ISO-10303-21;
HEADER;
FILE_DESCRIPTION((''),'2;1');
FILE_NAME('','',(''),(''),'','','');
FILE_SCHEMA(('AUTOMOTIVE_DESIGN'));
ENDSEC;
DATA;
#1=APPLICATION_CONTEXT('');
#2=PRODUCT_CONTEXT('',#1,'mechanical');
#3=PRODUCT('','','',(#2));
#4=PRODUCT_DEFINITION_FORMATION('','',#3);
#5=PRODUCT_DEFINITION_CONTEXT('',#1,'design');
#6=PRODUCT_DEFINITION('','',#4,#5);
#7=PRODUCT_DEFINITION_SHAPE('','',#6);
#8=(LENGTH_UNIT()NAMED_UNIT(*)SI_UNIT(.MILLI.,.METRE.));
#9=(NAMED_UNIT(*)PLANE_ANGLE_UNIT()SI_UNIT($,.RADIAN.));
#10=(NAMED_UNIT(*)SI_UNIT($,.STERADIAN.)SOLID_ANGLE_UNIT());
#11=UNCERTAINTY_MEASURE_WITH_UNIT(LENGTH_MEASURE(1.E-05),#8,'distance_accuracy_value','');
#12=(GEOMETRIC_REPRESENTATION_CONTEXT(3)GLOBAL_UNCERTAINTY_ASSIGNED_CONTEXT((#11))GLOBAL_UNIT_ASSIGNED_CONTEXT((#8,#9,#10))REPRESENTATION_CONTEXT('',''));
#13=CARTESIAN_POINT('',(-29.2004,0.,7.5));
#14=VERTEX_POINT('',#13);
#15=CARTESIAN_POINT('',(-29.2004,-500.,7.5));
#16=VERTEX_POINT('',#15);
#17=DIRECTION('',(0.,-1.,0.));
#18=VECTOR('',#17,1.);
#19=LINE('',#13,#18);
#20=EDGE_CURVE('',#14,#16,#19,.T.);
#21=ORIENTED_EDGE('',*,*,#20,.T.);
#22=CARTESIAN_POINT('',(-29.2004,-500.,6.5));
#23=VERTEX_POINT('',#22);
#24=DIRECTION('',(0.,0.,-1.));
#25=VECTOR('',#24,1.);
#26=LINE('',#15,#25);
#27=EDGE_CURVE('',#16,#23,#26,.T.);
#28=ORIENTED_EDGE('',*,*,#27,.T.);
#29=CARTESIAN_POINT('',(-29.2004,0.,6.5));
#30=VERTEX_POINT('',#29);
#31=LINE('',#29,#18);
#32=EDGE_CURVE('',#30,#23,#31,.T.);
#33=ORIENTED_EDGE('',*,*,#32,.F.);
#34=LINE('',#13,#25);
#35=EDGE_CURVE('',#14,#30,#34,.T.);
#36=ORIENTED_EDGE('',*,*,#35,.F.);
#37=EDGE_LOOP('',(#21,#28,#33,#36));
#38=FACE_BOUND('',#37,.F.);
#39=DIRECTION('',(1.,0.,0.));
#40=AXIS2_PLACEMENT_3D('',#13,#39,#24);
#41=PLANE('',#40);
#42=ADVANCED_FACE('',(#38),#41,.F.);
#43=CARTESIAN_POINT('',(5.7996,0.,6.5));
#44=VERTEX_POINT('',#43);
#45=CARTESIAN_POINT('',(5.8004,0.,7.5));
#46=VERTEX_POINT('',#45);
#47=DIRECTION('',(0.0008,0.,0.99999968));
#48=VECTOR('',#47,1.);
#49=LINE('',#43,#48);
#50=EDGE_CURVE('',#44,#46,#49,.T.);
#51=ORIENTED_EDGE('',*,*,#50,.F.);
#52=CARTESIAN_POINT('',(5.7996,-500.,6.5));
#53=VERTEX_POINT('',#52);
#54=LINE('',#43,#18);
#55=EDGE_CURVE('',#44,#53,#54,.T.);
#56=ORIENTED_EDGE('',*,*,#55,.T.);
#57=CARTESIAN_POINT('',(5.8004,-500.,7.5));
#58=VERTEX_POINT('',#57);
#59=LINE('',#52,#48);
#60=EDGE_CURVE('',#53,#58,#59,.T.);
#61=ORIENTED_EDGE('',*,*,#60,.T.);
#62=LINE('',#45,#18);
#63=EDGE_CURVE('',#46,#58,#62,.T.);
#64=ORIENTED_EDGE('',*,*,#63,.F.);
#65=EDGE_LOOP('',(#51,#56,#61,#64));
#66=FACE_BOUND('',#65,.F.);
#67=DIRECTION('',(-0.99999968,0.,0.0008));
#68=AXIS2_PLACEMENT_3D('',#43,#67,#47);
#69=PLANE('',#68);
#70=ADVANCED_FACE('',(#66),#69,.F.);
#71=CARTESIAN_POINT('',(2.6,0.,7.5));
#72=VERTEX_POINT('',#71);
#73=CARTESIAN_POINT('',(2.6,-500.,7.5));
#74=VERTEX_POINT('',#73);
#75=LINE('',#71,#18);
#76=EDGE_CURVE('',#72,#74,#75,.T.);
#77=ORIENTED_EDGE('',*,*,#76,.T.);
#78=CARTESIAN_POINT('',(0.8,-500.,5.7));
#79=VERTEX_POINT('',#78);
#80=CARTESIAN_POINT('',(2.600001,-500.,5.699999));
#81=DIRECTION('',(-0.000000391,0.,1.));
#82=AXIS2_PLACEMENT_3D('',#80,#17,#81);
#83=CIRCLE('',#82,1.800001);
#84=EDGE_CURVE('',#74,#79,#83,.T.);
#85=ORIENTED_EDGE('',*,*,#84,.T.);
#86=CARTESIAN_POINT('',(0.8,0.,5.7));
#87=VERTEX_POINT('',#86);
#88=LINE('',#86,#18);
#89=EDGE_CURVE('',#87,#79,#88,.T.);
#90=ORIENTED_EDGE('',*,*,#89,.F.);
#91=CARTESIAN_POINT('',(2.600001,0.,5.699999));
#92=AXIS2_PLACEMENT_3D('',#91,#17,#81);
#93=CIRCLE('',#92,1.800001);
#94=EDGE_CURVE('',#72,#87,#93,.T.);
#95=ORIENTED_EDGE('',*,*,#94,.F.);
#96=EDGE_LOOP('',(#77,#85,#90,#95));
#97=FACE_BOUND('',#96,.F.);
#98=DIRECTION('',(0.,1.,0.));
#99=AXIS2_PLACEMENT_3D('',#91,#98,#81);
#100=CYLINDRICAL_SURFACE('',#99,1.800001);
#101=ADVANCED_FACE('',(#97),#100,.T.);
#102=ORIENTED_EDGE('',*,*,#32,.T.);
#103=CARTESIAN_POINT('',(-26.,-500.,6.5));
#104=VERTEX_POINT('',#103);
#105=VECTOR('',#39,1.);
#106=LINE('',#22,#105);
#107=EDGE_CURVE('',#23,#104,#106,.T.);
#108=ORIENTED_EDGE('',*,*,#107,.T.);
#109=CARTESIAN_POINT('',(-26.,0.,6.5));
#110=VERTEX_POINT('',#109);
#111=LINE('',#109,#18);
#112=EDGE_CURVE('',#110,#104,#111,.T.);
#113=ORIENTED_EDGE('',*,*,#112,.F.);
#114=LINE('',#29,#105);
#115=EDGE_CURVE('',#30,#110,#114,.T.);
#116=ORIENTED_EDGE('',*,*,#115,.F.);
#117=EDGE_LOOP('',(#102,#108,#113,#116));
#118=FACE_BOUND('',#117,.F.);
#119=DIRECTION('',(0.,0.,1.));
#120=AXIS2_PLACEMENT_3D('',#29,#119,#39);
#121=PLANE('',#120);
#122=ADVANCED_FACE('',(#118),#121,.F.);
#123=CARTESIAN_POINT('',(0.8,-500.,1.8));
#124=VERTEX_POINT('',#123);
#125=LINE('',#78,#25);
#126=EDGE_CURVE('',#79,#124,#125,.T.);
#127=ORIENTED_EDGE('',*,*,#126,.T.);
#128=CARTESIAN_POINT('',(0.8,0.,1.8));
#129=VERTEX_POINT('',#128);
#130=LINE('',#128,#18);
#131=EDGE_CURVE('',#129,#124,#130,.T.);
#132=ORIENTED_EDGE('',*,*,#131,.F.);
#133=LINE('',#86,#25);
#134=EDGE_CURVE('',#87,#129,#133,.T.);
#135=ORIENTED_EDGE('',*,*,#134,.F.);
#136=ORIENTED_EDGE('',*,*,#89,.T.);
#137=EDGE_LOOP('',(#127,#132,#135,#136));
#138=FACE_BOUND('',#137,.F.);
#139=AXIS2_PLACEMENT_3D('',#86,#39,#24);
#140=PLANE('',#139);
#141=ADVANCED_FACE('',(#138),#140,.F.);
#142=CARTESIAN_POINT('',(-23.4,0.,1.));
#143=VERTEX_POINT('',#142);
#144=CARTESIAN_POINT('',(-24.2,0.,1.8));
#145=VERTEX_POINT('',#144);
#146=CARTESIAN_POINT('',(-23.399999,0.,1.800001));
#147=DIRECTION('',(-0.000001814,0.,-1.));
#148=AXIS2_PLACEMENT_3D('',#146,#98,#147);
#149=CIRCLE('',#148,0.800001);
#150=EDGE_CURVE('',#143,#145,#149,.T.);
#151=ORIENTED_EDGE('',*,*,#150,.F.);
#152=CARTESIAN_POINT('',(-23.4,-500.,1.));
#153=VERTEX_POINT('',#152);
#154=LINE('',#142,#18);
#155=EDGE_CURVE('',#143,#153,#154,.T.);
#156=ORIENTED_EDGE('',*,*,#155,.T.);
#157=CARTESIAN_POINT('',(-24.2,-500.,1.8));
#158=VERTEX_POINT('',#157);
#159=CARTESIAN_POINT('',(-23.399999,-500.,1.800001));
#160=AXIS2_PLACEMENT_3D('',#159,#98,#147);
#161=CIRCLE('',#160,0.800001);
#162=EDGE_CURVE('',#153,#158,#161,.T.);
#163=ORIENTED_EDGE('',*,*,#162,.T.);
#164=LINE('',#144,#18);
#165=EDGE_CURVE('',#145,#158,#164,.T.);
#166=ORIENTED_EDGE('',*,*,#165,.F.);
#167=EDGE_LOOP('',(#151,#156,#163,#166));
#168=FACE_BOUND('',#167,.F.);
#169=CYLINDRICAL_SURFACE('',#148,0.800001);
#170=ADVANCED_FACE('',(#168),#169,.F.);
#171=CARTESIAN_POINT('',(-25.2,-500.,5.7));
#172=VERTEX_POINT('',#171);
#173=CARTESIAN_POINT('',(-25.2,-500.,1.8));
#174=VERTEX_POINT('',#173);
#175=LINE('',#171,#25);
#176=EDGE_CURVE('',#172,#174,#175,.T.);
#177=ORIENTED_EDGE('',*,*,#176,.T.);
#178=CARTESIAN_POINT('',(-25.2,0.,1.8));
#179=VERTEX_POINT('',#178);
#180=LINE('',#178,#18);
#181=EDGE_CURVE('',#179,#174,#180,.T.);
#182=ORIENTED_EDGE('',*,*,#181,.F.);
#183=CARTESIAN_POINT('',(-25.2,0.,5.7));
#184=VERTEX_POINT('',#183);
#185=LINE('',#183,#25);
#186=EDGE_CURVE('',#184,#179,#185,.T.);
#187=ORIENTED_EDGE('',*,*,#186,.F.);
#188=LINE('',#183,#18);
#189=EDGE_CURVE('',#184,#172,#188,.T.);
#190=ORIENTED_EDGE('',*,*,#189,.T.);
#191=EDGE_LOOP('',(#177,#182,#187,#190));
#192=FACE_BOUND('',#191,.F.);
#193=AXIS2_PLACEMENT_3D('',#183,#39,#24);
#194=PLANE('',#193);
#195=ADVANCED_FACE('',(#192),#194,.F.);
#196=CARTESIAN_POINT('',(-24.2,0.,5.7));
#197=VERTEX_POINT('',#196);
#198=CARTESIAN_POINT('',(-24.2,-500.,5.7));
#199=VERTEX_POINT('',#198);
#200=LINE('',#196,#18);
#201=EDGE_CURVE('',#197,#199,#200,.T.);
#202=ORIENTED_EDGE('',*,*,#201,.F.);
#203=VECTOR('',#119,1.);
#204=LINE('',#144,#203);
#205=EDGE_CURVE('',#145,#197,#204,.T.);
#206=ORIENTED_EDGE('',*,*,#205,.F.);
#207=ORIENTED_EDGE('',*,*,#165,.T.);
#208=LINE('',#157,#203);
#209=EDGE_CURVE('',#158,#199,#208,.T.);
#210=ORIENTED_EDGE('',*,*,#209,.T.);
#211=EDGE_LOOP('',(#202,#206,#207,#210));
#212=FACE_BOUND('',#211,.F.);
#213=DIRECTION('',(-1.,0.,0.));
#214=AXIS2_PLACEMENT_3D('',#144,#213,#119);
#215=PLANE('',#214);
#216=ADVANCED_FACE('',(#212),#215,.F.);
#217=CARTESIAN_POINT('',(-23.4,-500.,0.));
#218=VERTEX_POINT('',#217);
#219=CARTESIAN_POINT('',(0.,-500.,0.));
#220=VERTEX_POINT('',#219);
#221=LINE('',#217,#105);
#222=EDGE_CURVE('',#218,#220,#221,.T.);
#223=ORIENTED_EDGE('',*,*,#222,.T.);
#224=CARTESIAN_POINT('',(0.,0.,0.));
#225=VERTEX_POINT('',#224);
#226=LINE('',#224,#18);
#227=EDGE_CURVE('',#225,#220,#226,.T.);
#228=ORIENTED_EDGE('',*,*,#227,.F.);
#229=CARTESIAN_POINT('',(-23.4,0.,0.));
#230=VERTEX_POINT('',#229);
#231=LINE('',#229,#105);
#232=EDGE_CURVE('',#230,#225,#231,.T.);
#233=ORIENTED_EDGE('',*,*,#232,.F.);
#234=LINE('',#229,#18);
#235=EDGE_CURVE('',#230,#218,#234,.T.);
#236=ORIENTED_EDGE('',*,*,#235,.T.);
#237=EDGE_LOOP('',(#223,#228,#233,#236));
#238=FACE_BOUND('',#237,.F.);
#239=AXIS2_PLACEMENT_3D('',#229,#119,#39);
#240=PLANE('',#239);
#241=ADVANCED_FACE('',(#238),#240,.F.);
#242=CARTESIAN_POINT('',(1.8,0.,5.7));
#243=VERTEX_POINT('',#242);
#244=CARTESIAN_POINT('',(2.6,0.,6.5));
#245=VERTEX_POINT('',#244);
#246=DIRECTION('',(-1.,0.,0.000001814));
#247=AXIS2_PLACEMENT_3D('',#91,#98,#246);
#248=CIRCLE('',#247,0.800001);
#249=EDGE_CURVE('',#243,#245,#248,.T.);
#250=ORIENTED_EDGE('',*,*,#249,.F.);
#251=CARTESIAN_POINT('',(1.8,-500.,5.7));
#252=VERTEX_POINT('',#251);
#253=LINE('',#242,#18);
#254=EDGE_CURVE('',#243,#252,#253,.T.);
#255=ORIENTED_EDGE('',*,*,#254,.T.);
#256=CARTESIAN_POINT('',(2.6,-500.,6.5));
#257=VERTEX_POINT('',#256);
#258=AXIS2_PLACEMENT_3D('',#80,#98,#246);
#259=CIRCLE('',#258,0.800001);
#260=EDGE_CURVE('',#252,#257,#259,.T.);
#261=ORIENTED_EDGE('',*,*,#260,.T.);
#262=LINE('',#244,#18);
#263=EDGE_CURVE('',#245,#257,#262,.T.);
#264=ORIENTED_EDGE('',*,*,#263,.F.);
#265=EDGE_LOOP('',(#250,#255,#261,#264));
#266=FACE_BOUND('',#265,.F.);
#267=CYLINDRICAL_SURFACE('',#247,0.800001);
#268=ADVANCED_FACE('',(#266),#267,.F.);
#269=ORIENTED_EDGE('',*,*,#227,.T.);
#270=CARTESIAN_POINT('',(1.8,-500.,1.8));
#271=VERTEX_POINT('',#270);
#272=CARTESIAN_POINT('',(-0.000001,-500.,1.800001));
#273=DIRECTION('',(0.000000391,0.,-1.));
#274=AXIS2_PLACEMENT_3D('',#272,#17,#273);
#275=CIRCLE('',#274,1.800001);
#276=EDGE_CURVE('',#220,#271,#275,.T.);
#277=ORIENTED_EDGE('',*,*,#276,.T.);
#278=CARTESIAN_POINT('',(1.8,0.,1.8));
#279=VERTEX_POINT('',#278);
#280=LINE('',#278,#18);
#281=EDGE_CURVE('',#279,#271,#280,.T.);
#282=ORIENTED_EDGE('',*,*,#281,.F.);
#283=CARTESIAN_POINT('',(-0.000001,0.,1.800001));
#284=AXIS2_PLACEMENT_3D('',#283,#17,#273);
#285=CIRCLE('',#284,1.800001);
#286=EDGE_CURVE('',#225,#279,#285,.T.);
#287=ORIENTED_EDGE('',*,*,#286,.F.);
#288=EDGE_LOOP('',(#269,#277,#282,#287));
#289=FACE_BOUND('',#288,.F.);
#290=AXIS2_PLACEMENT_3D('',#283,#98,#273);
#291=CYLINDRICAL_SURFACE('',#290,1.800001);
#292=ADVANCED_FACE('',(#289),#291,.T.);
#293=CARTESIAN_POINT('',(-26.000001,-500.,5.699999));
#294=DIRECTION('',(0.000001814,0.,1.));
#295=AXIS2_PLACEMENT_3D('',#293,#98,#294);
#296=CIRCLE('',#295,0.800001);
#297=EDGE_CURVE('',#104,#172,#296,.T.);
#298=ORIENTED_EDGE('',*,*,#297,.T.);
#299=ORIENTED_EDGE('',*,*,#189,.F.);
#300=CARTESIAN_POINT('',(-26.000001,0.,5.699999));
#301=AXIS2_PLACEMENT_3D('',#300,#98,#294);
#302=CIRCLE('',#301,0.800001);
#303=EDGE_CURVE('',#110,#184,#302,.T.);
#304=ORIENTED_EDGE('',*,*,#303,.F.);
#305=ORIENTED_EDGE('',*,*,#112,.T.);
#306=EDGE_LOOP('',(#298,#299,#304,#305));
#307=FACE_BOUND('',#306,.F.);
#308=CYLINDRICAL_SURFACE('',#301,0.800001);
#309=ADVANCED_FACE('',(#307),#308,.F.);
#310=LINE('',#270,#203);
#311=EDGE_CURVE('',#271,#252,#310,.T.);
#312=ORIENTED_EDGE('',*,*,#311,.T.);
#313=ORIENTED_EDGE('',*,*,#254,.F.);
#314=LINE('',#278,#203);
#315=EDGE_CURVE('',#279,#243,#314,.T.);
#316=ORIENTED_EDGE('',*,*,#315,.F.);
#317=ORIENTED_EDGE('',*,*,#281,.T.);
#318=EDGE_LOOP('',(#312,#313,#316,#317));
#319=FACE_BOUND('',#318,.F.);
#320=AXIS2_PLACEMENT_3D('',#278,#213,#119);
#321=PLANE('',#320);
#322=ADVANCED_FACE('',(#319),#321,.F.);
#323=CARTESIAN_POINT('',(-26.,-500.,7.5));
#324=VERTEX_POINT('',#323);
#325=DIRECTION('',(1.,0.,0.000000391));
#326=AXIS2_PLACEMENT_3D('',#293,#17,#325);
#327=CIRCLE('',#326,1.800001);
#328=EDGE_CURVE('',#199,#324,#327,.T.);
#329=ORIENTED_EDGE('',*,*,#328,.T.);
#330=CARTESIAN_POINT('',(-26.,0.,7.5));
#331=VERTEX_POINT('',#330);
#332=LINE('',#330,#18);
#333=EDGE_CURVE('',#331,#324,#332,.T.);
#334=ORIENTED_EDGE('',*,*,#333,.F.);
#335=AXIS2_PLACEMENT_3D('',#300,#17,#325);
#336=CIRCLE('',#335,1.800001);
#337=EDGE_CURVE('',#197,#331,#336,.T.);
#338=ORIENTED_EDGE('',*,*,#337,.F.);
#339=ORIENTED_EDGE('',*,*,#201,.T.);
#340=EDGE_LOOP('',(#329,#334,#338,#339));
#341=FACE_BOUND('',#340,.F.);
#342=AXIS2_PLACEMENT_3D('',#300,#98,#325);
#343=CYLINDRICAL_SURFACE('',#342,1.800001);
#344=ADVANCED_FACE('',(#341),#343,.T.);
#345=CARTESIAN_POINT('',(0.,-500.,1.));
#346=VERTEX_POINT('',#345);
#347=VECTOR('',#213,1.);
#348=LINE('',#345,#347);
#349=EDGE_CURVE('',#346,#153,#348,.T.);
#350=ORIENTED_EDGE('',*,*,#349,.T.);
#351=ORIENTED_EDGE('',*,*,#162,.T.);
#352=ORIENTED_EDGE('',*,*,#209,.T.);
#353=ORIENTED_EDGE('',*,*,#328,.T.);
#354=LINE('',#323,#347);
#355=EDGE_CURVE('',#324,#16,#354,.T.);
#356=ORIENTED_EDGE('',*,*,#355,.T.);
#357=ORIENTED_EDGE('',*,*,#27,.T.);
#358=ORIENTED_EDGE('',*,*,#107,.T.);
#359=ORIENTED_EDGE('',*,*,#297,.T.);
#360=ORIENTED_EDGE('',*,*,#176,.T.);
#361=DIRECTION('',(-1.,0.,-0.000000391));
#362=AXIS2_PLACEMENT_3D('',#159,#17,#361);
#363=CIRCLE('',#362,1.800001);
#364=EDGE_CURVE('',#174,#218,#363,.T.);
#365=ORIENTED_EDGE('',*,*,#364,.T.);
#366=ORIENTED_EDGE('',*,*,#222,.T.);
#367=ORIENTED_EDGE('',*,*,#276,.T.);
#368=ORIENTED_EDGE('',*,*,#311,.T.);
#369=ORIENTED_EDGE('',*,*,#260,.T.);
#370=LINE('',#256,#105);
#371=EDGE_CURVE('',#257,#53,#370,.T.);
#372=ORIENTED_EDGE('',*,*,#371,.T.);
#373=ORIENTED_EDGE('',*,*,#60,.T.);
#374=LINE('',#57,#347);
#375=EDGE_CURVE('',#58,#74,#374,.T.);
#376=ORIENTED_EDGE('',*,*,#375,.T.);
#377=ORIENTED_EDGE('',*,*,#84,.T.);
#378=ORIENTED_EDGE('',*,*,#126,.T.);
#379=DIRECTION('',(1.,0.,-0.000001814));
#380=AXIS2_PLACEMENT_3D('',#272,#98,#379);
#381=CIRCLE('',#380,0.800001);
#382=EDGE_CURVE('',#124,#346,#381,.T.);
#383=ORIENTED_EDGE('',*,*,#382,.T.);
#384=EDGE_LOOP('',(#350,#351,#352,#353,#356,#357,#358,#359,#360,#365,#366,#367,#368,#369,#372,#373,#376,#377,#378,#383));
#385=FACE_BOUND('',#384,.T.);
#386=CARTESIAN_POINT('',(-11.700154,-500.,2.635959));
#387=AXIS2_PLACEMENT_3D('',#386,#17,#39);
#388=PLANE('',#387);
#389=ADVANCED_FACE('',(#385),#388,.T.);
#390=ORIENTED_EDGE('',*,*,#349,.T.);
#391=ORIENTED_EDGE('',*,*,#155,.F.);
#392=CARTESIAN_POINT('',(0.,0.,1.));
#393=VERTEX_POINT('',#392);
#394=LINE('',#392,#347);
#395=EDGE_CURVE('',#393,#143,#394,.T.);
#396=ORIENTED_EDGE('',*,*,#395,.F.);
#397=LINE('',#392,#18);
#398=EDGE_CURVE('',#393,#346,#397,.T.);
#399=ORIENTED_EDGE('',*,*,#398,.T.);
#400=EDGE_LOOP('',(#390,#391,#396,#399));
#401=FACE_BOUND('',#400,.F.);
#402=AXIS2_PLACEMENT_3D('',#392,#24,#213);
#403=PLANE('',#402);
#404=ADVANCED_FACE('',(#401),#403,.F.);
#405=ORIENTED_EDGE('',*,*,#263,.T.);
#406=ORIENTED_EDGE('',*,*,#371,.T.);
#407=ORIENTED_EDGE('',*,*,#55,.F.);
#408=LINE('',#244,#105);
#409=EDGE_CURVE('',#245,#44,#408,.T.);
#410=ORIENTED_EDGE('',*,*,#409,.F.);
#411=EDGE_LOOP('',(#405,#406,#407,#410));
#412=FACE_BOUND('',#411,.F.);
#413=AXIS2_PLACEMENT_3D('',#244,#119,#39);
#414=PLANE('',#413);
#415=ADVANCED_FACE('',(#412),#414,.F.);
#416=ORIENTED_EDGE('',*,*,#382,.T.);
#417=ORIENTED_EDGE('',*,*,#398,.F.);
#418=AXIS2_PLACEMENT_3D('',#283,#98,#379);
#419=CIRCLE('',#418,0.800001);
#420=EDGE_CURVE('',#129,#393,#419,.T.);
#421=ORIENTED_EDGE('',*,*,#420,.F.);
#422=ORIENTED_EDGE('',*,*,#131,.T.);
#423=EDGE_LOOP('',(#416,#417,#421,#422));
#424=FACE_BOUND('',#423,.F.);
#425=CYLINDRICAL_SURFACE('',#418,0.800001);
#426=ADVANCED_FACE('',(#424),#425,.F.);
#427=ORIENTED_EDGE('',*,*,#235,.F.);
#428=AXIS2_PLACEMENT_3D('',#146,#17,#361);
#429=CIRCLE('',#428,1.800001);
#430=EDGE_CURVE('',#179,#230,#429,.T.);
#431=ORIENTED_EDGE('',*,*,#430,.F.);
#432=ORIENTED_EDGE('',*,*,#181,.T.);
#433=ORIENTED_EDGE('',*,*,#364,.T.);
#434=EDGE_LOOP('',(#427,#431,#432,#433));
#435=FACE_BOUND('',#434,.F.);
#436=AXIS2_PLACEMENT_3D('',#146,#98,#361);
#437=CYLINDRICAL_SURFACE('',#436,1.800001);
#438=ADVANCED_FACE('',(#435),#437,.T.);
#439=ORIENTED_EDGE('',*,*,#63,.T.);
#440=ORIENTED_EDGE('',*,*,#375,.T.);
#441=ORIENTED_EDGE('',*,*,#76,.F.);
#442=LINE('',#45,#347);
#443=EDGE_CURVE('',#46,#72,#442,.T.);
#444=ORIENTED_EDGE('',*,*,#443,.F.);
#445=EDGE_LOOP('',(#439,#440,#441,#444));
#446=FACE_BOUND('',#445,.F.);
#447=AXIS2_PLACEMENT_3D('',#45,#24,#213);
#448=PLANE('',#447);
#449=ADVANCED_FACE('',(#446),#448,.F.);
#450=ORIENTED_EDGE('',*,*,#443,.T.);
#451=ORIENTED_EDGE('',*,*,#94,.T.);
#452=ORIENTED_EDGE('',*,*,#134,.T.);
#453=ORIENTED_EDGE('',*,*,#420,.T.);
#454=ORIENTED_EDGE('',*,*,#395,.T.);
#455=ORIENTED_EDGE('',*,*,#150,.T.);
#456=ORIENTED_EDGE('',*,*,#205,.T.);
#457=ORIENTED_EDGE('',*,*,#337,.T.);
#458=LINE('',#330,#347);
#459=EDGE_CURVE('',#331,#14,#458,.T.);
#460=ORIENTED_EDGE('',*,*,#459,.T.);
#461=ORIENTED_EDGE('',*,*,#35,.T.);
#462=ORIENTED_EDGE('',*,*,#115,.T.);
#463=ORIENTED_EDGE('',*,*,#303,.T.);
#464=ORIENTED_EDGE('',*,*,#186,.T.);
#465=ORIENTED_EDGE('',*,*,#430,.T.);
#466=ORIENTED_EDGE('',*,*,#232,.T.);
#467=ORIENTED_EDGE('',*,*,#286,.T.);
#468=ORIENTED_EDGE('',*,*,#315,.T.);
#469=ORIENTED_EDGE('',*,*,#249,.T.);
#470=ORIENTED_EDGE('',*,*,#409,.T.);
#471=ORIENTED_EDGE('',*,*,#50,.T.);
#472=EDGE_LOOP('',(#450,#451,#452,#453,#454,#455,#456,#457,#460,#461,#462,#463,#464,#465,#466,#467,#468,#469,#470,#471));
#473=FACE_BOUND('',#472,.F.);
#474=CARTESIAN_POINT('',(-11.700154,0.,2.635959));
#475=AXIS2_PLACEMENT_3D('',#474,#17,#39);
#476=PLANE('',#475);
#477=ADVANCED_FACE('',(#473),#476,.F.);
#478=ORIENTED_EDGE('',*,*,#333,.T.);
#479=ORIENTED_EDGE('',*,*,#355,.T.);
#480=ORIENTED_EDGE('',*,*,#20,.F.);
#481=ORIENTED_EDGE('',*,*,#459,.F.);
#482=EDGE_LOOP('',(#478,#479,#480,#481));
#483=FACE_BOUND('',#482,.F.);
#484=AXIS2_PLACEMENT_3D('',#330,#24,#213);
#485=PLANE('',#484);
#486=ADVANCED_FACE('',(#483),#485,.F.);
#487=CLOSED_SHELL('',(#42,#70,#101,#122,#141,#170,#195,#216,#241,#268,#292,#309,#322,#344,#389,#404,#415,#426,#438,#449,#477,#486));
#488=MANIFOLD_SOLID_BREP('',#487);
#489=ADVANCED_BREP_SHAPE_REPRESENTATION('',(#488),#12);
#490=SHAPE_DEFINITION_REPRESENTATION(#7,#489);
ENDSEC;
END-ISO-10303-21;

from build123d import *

# Parameters (mm, degrees)
F1_DEPTH = 500


with BuildPart() as f1:
    # F0 (on Front) → F1 (new body)
    with BuildSketch(Plane.XZ):
        with BuildLine():
            Line((-23.4, 0), (0, 0))
            ThreePointArc((0, 0), (1.272792, 0.527208), (1.8, 1.8))
            Line((1.8, 1.8), (1.8, 5.7))
            ThreePointArc((1.8, 5.7), (2.034315, 6.265685), (2.6, 6.5))
            Line((2.6, 6.5), (5.7996, 6.5))
            Line((5.7996, 6.5), (5.8004, 7.5))
            Line((5.8004, 7.5), (2.6, 7.5))
            ThreePointArc((2.6, 7.5), (1.327208, 6.972792), (0.8, 5.7))
            Line((0.8, 5.7), (0.8, 1.8))
            ThreePointArc((0.8, 1.8), (0.565685, 1.234315), (0, 1))
            Line((0, 1), (-23.4, 1))
            ThreePointArc((-23.4, 1), (-23.965685, 1.234315), (-24.2, 1.8))
            Line((-24.2, 1.8), (-24.2, 5.7))
            ThreePointArc((-24.2, 5.7), (-24.727208, 6.972792), (-26, 7.5))
            Line((-26, 7.5), (-29.2004, 7.5))
            Line((-29.2004, 7.5), (-29.2004, 6.5))
            Line((-29.2004, 6.5), (-26, 6.5))
            ThreePointArc((-26, 6.5), (-25.434315, 6.265685), (-25.2, 5.7))
            Line((-25.2, 5.7), (-25.2, 1.8))
            ThreePointArc((-25.2, 1.8), (-24.672792, 0.527208), (-23.4, 0))
        make_face()
    extrude(amount=F1_DEPTH)


solid = f1.part
